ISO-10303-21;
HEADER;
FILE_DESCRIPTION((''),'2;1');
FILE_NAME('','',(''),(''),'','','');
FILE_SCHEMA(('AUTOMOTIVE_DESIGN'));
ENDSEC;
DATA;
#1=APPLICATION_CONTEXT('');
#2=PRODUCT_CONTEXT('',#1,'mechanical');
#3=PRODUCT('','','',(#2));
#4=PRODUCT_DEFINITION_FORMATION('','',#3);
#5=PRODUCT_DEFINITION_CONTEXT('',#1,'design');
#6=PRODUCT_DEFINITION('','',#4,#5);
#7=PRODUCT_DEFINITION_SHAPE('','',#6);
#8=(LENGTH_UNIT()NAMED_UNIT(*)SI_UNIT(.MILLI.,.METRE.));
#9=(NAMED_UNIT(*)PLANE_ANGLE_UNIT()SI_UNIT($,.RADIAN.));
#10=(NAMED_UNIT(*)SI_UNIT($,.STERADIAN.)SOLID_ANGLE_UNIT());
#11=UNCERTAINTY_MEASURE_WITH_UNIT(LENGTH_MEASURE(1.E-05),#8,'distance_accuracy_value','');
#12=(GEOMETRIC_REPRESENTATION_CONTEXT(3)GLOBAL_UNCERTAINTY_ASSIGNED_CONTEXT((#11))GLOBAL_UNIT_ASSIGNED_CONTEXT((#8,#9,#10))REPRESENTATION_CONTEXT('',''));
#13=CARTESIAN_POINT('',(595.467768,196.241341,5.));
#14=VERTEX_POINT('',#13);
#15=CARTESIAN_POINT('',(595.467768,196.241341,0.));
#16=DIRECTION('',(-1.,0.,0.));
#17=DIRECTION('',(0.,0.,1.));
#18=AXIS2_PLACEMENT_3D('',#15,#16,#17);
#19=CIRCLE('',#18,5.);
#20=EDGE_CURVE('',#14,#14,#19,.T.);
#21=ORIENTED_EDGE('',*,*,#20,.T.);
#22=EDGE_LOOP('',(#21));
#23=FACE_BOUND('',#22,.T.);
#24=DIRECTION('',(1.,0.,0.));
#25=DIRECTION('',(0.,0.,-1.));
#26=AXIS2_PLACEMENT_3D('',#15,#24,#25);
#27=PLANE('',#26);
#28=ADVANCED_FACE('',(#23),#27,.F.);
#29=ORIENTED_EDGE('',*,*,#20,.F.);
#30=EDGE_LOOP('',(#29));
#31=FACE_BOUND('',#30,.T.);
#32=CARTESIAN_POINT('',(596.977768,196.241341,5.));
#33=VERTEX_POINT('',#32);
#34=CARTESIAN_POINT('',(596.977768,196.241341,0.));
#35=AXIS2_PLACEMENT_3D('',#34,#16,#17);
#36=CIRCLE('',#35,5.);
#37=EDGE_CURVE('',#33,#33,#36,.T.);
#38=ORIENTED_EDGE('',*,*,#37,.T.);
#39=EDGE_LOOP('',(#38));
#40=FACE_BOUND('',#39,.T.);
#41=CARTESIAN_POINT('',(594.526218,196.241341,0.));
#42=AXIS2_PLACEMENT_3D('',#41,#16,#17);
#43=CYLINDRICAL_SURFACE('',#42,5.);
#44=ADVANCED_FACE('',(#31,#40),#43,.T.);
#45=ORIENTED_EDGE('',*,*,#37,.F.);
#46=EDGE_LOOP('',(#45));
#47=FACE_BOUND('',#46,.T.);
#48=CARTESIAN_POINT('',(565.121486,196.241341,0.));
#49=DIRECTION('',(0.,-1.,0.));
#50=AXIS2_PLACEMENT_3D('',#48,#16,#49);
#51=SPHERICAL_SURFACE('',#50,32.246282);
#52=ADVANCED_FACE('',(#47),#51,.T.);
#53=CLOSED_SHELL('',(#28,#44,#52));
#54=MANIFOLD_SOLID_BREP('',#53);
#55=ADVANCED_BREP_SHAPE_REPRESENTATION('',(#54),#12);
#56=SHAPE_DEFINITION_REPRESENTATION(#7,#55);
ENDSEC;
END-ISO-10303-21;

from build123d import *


with BuildPart() as part:
    # 草图1 → 旋转1 (revolve)
    with BuildSketch(Plane.XY, mode=Mode.PRIVATE) as revolve_1_sk:
        with BuildLine():
            Line((595.46776835, 196.2413411), (595.46776835, 201.2413411))
            Line((595.46776835, 201.2413411), (596.97776835, 201.2413411))
            ThreePointArc((596.97776835, 201.2413411), (597.270120501, 198.748934568), (597.36776835, 196.2413411))
            Line((597.36776835, 196.2413411), (595.46776835, 196.2413411))
        make_face()
    revolve(revolve_1_sk.sketch.rotate(Axis((594.526217878, 196.2413411, 0), (1, 0, 0)), 180), axis=Axis((594.526217878, 196.2413411, 0), (1, 0, 0)))  # turned: the seam where the file's is


solid = part.part
